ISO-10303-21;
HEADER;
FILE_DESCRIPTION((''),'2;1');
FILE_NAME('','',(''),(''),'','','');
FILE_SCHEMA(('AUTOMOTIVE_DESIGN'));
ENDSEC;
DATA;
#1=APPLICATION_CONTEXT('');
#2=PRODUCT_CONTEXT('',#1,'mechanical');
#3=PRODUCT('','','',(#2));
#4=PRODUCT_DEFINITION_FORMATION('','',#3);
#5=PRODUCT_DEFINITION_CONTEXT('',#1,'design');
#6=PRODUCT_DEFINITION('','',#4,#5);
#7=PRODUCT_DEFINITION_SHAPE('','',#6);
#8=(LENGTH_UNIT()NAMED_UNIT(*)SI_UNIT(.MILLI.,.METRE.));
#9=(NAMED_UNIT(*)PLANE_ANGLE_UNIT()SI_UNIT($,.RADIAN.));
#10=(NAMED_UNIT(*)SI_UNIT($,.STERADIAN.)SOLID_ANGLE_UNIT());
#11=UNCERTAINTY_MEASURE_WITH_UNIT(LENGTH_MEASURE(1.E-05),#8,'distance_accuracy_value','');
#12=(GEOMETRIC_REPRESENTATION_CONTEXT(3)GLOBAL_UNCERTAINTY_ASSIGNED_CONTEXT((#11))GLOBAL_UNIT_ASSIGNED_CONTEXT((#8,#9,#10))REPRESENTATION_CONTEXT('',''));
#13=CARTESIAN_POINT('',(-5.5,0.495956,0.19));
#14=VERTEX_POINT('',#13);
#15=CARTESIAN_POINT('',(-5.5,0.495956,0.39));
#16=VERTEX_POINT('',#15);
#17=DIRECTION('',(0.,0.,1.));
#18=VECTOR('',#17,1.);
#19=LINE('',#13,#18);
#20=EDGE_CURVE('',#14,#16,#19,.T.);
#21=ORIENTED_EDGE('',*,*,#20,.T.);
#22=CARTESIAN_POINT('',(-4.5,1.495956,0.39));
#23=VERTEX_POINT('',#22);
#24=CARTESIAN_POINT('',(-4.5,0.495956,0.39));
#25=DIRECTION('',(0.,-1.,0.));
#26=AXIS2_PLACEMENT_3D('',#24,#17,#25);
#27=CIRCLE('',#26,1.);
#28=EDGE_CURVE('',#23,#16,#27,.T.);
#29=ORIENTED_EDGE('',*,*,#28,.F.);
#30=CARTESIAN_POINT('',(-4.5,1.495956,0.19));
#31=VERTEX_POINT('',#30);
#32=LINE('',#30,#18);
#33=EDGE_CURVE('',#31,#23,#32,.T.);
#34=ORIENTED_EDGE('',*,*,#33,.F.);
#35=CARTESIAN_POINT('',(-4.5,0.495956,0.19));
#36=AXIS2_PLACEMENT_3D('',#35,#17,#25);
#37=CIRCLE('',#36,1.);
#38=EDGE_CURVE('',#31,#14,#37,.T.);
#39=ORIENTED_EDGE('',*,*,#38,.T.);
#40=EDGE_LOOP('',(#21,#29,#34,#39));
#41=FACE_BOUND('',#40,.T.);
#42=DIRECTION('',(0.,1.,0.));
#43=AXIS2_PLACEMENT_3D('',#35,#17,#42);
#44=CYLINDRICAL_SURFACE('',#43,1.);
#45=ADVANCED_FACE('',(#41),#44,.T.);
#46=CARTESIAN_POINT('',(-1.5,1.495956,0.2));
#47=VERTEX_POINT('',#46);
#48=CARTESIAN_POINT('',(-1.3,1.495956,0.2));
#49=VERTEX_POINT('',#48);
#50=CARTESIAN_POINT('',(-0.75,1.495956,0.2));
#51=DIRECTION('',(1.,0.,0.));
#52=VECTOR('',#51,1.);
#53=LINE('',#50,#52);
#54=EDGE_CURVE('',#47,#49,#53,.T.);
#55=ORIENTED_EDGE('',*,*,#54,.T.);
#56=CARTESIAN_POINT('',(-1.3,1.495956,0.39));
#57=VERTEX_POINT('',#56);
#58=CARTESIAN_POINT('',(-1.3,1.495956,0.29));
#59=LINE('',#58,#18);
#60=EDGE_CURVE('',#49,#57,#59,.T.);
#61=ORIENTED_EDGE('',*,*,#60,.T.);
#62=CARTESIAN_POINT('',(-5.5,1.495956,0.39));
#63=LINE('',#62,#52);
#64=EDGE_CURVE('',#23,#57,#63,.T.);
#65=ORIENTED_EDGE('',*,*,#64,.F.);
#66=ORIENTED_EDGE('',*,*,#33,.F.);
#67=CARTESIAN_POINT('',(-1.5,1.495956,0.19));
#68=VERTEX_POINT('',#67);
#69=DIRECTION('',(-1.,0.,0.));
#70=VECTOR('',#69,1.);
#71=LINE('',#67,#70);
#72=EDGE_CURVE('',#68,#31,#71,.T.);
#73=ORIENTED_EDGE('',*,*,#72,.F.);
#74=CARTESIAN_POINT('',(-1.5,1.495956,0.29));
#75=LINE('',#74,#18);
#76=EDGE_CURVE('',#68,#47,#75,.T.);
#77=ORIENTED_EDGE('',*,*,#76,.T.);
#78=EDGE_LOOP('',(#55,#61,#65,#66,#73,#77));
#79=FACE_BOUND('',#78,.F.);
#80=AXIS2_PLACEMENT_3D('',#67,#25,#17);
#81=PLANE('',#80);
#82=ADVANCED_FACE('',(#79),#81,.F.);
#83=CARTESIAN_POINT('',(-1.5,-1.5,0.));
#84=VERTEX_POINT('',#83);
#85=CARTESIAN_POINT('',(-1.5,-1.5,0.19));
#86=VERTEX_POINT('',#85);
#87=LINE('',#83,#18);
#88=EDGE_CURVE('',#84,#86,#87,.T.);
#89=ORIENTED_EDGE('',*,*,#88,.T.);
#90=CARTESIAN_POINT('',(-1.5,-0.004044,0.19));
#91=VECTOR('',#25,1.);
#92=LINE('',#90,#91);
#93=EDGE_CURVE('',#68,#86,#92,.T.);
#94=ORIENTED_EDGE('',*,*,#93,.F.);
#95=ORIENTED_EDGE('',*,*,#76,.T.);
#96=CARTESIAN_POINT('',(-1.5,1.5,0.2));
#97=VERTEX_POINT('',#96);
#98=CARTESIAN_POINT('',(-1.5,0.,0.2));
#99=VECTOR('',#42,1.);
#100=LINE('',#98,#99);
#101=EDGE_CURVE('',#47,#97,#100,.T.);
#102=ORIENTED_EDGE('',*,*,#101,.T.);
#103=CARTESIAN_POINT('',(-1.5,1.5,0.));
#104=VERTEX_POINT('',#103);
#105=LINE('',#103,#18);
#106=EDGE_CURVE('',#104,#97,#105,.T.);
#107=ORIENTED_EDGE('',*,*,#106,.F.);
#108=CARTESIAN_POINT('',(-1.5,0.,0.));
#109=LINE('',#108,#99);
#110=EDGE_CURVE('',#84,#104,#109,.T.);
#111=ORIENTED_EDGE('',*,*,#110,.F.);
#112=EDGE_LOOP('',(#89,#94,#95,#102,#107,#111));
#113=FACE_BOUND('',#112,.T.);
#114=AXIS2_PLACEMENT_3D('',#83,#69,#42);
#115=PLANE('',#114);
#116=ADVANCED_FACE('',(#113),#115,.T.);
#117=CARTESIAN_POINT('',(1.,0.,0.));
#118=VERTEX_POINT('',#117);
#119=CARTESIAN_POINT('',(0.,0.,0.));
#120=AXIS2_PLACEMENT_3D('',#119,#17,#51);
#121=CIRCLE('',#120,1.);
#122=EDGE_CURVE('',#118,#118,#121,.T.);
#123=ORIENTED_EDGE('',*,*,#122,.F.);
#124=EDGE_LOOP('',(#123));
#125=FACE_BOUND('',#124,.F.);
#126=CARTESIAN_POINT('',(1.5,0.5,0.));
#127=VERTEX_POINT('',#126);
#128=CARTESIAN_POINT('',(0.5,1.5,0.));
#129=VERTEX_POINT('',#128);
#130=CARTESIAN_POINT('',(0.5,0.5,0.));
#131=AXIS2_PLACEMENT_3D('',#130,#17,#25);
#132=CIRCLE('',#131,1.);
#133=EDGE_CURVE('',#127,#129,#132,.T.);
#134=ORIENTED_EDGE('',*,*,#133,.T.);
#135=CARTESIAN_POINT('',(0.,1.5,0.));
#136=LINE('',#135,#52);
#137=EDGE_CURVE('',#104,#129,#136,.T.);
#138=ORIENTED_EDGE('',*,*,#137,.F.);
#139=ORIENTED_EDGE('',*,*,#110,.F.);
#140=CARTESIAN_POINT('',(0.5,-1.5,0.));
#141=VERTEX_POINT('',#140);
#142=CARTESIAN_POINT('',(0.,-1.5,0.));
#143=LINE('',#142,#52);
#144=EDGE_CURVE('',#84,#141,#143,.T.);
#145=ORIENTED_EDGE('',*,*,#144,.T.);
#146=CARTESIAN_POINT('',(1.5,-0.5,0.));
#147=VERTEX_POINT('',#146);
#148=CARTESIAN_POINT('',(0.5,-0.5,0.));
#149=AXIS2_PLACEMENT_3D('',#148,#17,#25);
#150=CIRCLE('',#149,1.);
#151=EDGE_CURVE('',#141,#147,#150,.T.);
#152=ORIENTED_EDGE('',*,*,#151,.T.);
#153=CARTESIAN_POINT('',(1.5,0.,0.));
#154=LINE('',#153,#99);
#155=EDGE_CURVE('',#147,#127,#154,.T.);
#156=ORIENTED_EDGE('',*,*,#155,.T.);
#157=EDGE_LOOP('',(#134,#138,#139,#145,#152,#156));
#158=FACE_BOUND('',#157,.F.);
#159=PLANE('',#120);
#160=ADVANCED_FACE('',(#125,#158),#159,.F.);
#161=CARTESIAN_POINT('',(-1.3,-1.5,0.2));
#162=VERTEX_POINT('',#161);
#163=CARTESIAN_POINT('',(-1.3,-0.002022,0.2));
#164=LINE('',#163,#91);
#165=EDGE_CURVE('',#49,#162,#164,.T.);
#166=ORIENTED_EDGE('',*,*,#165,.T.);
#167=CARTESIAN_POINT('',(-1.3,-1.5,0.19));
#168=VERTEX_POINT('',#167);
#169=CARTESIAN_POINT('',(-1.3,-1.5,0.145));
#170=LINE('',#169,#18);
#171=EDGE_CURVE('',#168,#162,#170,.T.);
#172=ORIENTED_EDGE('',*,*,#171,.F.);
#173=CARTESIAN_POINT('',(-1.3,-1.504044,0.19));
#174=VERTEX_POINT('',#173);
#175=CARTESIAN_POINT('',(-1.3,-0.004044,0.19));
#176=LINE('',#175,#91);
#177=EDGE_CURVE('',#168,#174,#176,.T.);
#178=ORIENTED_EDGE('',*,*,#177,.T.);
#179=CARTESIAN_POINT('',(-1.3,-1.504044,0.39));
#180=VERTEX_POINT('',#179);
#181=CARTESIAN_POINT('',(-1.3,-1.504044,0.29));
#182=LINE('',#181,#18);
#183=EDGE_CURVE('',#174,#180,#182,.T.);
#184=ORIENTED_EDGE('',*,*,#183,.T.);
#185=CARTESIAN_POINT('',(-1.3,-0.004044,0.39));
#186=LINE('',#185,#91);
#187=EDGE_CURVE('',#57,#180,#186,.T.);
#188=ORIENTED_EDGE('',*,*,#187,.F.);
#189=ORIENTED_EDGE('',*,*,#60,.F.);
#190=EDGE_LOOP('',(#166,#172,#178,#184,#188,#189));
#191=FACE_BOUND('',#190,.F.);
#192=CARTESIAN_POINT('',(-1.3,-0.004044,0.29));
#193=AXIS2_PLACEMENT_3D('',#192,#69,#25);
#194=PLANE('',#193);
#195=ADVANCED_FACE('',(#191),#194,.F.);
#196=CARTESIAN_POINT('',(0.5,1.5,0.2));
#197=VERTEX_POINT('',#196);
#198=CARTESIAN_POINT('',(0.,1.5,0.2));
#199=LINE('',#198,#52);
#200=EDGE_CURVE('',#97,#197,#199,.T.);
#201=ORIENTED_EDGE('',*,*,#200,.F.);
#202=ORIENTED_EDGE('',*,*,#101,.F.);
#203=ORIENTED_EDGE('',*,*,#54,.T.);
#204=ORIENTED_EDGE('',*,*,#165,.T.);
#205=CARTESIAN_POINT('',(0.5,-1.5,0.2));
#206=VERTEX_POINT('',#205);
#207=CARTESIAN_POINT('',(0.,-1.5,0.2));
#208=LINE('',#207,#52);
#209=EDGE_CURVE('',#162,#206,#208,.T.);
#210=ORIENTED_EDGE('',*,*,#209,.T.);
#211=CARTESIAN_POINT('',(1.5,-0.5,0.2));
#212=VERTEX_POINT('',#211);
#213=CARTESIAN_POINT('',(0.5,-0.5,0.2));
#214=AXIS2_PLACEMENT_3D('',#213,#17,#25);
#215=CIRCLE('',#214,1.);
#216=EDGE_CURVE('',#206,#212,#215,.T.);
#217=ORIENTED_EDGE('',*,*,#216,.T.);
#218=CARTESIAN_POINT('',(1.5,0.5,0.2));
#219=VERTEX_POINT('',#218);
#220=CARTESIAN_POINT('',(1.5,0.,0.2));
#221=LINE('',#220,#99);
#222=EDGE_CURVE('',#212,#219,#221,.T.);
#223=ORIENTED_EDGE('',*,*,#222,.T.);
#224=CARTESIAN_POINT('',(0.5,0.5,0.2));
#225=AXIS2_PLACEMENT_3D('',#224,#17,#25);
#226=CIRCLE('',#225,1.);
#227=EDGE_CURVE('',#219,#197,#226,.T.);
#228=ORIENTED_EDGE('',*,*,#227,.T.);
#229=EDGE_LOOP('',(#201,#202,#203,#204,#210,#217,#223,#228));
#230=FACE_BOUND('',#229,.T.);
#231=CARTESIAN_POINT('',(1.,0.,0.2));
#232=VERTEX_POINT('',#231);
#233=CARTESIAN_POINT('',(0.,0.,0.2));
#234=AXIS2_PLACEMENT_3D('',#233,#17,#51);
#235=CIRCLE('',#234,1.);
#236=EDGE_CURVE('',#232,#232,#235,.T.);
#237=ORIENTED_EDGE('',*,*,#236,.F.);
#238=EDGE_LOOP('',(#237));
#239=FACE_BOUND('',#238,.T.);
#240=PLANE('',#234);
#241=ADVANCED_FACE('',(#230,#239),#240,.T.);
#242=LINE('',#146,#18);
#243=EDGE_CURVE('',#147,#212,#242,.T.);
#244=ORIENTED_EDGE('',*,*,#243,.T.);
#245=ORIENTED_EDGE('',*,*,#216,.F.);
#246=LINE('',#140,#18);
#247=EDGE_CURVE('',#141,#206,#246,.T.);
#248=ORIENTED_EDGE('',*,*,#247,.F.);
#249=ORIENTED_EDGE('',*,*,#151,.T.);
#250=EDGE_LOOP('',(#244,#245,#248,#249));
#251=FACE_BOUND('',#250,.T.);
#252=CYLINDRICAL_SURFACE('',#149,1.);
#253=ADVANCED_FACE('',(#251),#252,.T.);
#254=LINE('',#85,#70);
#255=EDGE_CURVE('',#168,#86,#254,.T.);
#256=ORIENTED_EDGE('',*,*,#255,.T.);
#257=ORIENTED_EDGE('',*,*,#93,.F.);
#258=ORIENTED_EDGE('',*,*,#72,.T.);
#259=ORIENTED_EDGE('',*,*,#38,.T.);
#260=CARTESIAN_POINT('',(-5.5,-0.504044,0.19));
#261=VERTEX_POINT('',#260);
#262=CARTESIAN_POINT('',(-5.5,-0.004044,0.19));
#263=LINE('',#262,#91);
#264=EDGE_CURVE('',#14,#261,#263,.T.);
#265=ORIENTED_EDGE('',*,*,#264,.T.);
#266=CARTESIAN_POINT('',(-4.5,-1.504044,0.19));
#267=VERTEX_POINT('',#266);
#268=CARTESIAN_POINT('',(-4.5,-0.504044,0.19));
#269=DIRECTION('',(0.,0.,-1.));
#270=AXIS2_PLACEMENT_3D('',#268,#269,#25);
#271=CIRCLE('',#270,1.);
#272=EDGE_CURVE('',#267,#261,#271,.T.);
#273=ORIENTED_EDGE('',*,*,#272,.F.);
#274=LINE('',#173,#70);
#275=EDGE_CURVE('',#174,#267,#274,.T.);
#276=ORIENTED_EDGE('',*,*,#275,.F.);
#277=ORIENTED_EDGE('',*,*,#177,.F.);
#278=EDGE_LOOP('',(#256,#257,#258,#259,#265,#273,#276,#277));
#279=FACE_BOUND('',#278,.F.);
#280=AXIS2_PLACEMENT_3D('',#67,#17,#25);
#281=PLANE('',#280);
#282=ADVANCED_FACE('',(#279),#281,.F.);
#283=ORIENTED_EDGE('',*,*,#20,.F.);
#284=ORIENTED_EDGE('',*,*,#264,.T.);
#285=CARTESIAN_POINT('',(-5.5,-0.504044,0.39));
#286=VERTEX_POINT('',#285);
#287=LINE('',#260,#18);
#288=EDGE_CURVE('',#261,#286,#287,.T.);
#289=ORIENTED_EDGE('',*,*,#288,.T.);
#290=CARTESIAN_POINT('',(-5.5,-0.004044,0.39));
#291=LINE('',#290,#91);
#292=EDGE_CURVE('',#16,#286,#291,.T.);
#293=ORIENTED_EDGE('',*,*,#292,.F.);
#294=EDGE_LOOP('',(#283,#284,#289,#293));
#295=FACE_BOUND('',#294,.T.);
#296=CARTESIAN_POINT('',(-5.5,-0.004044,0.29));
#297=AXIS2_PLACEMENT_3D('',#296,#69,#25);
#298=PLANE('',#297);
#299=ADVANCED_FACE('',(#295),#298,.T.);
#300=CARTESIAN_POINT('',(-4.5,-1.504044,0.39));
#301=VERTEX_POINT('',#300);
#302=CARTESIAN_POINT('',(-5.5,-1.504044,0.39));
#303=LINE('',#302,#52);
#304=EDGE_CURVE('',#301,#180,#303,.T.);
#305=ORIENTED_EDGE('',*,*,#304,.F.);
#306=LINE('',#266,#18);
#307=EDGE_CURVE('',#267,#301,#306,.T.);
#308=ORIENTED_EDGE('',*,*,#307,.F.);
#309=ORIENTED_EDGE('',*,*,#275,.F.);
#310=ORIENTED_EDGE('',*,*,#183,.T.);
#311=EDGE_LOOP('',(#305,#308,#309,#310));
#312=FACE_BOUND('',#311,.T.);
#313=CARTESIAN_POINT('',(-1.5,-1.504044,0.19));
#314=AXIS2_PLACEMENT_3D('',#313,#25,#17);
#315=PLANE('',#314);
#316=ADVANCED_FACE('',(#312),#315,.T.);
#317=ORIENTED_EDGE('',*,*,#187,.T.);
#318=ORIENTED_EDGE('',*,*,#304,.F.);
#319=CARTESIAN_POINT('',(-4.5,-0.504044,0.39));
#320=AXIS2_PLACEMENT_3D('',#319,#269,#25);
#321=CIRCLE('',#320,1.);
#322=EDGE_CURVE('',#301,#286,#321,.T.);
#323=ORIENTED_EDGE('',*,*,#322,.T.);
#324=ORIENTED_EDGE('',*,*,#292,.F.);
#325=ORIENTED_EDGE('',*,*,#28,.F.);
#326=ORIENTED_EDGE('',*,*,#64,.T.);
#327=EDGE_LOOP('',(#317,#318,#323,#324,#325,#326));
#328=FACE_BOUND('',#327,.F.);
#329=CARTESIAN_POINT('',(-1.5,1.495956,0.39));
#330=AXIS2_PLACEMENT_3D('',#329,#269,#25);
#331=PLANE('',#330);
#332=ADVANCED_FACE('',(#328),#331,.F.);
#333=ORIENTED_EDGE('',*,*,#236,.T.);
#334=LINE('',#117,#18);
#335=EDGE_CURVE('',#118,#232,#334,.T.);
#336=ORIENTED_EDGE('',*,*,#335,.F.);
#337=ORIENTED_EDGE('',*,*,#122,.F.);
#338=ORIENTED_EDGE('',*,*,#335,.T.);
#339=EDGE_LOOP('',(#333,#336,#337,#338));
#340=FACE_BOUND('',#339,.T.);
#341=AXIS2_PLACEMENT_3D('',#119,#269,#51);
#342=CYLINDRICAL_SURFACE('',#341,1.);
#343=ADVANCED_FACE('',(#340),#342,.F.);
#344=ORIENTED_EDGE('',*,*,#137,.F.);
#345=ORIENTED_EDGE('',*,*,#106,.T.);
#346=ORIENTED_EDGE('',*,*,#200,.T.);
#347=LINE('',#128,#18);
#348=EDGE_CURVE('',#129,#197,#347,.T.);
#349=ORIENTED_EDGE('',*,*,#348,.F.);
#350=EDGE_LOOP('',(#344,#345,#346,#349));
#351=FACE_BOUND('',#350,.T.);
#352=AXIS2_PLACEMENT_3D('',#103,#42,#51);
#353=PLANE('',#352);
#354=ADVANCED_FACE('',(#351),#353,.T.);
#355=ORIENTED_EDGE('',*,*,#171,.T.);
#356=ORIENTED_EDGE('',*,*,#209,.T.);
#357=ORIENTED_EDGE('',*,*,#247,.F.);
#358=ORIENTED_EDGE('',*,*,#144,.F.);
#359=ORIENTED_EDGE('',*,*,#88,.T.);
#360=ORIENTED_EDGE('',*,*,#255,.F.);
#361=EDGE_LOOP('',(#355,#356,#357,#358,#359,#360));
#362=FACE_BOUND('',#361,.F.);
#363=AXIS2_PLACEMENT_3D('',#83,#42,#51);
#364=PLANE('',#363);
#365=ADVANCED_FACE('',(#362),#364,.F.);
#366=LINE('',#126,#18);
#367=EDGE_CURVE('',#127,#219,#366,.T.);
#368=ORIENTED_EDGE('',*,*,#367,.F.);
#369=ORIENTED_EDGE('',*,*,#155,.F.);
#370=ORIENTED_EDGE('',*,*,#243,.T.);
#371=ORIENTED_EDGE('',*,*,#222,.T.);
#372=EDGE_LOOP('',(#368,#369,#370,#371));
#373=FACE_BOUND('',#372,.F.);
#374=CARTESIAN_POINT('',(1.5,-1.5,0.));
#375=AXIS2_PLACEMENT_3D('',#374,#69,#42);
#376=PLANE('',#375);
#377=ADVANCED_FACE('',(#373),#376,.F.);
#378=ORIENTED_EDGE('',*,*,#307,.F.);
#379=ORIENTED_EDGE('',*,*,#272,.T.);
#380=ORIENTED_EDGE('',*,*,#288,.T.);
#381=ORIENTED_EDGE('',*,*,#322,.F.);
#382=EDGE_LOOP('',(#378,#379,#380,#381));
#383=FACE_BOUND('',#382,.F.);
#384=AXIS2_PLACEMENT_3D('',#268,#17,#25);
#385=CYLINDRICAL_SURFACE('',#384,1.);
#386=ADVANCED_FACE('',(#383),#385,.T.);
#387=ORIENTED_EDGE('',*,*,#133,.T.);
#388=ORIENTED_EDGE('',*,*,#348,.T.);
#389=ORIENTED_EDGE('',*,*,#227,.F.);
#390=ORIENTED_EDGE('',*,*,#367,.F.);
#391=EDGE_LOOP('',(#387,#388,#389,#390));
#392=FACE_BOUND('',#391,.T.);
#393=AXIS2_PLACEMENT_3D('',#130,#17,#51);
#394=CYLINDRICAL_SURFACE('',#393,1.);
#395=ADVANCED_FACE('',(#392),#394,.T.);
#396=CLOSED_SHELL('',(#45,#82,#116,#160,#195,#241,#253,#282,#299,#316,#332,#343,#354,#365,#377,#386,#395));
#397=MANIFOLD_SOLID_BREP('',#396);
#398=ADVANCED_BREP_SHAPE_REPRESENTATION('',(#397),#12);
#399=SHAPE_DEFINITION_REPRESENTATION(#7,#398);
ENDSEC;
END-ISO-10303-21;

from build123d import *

# Parameters (mm, degrees)
SKETCH_W          = 3
SKETCH_H          = 3
SKETCH_R          = 1
PAD_DEPTH         = 0.2
SKETCH001_W       = 3
SKETCH001_H       = 0.2
PAD001_DEPTH      = 4
PAD001_DEPTH_BACK = 0.2
FILLET_R          = 1


with BuildPart() as part:
    # Sketch → Pad (new body)
    with BuildSketch(Plane.XY):
        Rectangle(SKETCH_W, SKETCH_H)
        Circle(SKETCH_R, mode=Mode.SUBTRACT)
    extrude(amount=PAD_DEPTH)

    # Sketch001 (on Face4 of Pad) → Pad001 (join, two sides)
    with BuildSketch(Plane(origin=(-1.5, 0, 0), x_dir=(0, -1, 0), z_dir=(-1, 0, 0))) as pad001_sk:
        with Locations((0.004044, 0.29)):
            Rectangle(SKETCH001_W, SKETCH001_H)
    extrude(amount=PAD001_DEPTH)
    extrude(pad001_sk.sketch, amount=-PAD001_DEPTH_BACK)

    # Fillet
    fillet_edges = [part.edges().sort_by_distance(p)[0] for p in [
        (1.5, -1.5, 0.1),
        (1.5, 1.5, 0.1),
        (-5.5, -1.504044, 0.29),
        (-5.5, 1.495956, 0.29),
    ]]
    fillet(fillet_edges, radius=FILLET_R)


solid = part.part
